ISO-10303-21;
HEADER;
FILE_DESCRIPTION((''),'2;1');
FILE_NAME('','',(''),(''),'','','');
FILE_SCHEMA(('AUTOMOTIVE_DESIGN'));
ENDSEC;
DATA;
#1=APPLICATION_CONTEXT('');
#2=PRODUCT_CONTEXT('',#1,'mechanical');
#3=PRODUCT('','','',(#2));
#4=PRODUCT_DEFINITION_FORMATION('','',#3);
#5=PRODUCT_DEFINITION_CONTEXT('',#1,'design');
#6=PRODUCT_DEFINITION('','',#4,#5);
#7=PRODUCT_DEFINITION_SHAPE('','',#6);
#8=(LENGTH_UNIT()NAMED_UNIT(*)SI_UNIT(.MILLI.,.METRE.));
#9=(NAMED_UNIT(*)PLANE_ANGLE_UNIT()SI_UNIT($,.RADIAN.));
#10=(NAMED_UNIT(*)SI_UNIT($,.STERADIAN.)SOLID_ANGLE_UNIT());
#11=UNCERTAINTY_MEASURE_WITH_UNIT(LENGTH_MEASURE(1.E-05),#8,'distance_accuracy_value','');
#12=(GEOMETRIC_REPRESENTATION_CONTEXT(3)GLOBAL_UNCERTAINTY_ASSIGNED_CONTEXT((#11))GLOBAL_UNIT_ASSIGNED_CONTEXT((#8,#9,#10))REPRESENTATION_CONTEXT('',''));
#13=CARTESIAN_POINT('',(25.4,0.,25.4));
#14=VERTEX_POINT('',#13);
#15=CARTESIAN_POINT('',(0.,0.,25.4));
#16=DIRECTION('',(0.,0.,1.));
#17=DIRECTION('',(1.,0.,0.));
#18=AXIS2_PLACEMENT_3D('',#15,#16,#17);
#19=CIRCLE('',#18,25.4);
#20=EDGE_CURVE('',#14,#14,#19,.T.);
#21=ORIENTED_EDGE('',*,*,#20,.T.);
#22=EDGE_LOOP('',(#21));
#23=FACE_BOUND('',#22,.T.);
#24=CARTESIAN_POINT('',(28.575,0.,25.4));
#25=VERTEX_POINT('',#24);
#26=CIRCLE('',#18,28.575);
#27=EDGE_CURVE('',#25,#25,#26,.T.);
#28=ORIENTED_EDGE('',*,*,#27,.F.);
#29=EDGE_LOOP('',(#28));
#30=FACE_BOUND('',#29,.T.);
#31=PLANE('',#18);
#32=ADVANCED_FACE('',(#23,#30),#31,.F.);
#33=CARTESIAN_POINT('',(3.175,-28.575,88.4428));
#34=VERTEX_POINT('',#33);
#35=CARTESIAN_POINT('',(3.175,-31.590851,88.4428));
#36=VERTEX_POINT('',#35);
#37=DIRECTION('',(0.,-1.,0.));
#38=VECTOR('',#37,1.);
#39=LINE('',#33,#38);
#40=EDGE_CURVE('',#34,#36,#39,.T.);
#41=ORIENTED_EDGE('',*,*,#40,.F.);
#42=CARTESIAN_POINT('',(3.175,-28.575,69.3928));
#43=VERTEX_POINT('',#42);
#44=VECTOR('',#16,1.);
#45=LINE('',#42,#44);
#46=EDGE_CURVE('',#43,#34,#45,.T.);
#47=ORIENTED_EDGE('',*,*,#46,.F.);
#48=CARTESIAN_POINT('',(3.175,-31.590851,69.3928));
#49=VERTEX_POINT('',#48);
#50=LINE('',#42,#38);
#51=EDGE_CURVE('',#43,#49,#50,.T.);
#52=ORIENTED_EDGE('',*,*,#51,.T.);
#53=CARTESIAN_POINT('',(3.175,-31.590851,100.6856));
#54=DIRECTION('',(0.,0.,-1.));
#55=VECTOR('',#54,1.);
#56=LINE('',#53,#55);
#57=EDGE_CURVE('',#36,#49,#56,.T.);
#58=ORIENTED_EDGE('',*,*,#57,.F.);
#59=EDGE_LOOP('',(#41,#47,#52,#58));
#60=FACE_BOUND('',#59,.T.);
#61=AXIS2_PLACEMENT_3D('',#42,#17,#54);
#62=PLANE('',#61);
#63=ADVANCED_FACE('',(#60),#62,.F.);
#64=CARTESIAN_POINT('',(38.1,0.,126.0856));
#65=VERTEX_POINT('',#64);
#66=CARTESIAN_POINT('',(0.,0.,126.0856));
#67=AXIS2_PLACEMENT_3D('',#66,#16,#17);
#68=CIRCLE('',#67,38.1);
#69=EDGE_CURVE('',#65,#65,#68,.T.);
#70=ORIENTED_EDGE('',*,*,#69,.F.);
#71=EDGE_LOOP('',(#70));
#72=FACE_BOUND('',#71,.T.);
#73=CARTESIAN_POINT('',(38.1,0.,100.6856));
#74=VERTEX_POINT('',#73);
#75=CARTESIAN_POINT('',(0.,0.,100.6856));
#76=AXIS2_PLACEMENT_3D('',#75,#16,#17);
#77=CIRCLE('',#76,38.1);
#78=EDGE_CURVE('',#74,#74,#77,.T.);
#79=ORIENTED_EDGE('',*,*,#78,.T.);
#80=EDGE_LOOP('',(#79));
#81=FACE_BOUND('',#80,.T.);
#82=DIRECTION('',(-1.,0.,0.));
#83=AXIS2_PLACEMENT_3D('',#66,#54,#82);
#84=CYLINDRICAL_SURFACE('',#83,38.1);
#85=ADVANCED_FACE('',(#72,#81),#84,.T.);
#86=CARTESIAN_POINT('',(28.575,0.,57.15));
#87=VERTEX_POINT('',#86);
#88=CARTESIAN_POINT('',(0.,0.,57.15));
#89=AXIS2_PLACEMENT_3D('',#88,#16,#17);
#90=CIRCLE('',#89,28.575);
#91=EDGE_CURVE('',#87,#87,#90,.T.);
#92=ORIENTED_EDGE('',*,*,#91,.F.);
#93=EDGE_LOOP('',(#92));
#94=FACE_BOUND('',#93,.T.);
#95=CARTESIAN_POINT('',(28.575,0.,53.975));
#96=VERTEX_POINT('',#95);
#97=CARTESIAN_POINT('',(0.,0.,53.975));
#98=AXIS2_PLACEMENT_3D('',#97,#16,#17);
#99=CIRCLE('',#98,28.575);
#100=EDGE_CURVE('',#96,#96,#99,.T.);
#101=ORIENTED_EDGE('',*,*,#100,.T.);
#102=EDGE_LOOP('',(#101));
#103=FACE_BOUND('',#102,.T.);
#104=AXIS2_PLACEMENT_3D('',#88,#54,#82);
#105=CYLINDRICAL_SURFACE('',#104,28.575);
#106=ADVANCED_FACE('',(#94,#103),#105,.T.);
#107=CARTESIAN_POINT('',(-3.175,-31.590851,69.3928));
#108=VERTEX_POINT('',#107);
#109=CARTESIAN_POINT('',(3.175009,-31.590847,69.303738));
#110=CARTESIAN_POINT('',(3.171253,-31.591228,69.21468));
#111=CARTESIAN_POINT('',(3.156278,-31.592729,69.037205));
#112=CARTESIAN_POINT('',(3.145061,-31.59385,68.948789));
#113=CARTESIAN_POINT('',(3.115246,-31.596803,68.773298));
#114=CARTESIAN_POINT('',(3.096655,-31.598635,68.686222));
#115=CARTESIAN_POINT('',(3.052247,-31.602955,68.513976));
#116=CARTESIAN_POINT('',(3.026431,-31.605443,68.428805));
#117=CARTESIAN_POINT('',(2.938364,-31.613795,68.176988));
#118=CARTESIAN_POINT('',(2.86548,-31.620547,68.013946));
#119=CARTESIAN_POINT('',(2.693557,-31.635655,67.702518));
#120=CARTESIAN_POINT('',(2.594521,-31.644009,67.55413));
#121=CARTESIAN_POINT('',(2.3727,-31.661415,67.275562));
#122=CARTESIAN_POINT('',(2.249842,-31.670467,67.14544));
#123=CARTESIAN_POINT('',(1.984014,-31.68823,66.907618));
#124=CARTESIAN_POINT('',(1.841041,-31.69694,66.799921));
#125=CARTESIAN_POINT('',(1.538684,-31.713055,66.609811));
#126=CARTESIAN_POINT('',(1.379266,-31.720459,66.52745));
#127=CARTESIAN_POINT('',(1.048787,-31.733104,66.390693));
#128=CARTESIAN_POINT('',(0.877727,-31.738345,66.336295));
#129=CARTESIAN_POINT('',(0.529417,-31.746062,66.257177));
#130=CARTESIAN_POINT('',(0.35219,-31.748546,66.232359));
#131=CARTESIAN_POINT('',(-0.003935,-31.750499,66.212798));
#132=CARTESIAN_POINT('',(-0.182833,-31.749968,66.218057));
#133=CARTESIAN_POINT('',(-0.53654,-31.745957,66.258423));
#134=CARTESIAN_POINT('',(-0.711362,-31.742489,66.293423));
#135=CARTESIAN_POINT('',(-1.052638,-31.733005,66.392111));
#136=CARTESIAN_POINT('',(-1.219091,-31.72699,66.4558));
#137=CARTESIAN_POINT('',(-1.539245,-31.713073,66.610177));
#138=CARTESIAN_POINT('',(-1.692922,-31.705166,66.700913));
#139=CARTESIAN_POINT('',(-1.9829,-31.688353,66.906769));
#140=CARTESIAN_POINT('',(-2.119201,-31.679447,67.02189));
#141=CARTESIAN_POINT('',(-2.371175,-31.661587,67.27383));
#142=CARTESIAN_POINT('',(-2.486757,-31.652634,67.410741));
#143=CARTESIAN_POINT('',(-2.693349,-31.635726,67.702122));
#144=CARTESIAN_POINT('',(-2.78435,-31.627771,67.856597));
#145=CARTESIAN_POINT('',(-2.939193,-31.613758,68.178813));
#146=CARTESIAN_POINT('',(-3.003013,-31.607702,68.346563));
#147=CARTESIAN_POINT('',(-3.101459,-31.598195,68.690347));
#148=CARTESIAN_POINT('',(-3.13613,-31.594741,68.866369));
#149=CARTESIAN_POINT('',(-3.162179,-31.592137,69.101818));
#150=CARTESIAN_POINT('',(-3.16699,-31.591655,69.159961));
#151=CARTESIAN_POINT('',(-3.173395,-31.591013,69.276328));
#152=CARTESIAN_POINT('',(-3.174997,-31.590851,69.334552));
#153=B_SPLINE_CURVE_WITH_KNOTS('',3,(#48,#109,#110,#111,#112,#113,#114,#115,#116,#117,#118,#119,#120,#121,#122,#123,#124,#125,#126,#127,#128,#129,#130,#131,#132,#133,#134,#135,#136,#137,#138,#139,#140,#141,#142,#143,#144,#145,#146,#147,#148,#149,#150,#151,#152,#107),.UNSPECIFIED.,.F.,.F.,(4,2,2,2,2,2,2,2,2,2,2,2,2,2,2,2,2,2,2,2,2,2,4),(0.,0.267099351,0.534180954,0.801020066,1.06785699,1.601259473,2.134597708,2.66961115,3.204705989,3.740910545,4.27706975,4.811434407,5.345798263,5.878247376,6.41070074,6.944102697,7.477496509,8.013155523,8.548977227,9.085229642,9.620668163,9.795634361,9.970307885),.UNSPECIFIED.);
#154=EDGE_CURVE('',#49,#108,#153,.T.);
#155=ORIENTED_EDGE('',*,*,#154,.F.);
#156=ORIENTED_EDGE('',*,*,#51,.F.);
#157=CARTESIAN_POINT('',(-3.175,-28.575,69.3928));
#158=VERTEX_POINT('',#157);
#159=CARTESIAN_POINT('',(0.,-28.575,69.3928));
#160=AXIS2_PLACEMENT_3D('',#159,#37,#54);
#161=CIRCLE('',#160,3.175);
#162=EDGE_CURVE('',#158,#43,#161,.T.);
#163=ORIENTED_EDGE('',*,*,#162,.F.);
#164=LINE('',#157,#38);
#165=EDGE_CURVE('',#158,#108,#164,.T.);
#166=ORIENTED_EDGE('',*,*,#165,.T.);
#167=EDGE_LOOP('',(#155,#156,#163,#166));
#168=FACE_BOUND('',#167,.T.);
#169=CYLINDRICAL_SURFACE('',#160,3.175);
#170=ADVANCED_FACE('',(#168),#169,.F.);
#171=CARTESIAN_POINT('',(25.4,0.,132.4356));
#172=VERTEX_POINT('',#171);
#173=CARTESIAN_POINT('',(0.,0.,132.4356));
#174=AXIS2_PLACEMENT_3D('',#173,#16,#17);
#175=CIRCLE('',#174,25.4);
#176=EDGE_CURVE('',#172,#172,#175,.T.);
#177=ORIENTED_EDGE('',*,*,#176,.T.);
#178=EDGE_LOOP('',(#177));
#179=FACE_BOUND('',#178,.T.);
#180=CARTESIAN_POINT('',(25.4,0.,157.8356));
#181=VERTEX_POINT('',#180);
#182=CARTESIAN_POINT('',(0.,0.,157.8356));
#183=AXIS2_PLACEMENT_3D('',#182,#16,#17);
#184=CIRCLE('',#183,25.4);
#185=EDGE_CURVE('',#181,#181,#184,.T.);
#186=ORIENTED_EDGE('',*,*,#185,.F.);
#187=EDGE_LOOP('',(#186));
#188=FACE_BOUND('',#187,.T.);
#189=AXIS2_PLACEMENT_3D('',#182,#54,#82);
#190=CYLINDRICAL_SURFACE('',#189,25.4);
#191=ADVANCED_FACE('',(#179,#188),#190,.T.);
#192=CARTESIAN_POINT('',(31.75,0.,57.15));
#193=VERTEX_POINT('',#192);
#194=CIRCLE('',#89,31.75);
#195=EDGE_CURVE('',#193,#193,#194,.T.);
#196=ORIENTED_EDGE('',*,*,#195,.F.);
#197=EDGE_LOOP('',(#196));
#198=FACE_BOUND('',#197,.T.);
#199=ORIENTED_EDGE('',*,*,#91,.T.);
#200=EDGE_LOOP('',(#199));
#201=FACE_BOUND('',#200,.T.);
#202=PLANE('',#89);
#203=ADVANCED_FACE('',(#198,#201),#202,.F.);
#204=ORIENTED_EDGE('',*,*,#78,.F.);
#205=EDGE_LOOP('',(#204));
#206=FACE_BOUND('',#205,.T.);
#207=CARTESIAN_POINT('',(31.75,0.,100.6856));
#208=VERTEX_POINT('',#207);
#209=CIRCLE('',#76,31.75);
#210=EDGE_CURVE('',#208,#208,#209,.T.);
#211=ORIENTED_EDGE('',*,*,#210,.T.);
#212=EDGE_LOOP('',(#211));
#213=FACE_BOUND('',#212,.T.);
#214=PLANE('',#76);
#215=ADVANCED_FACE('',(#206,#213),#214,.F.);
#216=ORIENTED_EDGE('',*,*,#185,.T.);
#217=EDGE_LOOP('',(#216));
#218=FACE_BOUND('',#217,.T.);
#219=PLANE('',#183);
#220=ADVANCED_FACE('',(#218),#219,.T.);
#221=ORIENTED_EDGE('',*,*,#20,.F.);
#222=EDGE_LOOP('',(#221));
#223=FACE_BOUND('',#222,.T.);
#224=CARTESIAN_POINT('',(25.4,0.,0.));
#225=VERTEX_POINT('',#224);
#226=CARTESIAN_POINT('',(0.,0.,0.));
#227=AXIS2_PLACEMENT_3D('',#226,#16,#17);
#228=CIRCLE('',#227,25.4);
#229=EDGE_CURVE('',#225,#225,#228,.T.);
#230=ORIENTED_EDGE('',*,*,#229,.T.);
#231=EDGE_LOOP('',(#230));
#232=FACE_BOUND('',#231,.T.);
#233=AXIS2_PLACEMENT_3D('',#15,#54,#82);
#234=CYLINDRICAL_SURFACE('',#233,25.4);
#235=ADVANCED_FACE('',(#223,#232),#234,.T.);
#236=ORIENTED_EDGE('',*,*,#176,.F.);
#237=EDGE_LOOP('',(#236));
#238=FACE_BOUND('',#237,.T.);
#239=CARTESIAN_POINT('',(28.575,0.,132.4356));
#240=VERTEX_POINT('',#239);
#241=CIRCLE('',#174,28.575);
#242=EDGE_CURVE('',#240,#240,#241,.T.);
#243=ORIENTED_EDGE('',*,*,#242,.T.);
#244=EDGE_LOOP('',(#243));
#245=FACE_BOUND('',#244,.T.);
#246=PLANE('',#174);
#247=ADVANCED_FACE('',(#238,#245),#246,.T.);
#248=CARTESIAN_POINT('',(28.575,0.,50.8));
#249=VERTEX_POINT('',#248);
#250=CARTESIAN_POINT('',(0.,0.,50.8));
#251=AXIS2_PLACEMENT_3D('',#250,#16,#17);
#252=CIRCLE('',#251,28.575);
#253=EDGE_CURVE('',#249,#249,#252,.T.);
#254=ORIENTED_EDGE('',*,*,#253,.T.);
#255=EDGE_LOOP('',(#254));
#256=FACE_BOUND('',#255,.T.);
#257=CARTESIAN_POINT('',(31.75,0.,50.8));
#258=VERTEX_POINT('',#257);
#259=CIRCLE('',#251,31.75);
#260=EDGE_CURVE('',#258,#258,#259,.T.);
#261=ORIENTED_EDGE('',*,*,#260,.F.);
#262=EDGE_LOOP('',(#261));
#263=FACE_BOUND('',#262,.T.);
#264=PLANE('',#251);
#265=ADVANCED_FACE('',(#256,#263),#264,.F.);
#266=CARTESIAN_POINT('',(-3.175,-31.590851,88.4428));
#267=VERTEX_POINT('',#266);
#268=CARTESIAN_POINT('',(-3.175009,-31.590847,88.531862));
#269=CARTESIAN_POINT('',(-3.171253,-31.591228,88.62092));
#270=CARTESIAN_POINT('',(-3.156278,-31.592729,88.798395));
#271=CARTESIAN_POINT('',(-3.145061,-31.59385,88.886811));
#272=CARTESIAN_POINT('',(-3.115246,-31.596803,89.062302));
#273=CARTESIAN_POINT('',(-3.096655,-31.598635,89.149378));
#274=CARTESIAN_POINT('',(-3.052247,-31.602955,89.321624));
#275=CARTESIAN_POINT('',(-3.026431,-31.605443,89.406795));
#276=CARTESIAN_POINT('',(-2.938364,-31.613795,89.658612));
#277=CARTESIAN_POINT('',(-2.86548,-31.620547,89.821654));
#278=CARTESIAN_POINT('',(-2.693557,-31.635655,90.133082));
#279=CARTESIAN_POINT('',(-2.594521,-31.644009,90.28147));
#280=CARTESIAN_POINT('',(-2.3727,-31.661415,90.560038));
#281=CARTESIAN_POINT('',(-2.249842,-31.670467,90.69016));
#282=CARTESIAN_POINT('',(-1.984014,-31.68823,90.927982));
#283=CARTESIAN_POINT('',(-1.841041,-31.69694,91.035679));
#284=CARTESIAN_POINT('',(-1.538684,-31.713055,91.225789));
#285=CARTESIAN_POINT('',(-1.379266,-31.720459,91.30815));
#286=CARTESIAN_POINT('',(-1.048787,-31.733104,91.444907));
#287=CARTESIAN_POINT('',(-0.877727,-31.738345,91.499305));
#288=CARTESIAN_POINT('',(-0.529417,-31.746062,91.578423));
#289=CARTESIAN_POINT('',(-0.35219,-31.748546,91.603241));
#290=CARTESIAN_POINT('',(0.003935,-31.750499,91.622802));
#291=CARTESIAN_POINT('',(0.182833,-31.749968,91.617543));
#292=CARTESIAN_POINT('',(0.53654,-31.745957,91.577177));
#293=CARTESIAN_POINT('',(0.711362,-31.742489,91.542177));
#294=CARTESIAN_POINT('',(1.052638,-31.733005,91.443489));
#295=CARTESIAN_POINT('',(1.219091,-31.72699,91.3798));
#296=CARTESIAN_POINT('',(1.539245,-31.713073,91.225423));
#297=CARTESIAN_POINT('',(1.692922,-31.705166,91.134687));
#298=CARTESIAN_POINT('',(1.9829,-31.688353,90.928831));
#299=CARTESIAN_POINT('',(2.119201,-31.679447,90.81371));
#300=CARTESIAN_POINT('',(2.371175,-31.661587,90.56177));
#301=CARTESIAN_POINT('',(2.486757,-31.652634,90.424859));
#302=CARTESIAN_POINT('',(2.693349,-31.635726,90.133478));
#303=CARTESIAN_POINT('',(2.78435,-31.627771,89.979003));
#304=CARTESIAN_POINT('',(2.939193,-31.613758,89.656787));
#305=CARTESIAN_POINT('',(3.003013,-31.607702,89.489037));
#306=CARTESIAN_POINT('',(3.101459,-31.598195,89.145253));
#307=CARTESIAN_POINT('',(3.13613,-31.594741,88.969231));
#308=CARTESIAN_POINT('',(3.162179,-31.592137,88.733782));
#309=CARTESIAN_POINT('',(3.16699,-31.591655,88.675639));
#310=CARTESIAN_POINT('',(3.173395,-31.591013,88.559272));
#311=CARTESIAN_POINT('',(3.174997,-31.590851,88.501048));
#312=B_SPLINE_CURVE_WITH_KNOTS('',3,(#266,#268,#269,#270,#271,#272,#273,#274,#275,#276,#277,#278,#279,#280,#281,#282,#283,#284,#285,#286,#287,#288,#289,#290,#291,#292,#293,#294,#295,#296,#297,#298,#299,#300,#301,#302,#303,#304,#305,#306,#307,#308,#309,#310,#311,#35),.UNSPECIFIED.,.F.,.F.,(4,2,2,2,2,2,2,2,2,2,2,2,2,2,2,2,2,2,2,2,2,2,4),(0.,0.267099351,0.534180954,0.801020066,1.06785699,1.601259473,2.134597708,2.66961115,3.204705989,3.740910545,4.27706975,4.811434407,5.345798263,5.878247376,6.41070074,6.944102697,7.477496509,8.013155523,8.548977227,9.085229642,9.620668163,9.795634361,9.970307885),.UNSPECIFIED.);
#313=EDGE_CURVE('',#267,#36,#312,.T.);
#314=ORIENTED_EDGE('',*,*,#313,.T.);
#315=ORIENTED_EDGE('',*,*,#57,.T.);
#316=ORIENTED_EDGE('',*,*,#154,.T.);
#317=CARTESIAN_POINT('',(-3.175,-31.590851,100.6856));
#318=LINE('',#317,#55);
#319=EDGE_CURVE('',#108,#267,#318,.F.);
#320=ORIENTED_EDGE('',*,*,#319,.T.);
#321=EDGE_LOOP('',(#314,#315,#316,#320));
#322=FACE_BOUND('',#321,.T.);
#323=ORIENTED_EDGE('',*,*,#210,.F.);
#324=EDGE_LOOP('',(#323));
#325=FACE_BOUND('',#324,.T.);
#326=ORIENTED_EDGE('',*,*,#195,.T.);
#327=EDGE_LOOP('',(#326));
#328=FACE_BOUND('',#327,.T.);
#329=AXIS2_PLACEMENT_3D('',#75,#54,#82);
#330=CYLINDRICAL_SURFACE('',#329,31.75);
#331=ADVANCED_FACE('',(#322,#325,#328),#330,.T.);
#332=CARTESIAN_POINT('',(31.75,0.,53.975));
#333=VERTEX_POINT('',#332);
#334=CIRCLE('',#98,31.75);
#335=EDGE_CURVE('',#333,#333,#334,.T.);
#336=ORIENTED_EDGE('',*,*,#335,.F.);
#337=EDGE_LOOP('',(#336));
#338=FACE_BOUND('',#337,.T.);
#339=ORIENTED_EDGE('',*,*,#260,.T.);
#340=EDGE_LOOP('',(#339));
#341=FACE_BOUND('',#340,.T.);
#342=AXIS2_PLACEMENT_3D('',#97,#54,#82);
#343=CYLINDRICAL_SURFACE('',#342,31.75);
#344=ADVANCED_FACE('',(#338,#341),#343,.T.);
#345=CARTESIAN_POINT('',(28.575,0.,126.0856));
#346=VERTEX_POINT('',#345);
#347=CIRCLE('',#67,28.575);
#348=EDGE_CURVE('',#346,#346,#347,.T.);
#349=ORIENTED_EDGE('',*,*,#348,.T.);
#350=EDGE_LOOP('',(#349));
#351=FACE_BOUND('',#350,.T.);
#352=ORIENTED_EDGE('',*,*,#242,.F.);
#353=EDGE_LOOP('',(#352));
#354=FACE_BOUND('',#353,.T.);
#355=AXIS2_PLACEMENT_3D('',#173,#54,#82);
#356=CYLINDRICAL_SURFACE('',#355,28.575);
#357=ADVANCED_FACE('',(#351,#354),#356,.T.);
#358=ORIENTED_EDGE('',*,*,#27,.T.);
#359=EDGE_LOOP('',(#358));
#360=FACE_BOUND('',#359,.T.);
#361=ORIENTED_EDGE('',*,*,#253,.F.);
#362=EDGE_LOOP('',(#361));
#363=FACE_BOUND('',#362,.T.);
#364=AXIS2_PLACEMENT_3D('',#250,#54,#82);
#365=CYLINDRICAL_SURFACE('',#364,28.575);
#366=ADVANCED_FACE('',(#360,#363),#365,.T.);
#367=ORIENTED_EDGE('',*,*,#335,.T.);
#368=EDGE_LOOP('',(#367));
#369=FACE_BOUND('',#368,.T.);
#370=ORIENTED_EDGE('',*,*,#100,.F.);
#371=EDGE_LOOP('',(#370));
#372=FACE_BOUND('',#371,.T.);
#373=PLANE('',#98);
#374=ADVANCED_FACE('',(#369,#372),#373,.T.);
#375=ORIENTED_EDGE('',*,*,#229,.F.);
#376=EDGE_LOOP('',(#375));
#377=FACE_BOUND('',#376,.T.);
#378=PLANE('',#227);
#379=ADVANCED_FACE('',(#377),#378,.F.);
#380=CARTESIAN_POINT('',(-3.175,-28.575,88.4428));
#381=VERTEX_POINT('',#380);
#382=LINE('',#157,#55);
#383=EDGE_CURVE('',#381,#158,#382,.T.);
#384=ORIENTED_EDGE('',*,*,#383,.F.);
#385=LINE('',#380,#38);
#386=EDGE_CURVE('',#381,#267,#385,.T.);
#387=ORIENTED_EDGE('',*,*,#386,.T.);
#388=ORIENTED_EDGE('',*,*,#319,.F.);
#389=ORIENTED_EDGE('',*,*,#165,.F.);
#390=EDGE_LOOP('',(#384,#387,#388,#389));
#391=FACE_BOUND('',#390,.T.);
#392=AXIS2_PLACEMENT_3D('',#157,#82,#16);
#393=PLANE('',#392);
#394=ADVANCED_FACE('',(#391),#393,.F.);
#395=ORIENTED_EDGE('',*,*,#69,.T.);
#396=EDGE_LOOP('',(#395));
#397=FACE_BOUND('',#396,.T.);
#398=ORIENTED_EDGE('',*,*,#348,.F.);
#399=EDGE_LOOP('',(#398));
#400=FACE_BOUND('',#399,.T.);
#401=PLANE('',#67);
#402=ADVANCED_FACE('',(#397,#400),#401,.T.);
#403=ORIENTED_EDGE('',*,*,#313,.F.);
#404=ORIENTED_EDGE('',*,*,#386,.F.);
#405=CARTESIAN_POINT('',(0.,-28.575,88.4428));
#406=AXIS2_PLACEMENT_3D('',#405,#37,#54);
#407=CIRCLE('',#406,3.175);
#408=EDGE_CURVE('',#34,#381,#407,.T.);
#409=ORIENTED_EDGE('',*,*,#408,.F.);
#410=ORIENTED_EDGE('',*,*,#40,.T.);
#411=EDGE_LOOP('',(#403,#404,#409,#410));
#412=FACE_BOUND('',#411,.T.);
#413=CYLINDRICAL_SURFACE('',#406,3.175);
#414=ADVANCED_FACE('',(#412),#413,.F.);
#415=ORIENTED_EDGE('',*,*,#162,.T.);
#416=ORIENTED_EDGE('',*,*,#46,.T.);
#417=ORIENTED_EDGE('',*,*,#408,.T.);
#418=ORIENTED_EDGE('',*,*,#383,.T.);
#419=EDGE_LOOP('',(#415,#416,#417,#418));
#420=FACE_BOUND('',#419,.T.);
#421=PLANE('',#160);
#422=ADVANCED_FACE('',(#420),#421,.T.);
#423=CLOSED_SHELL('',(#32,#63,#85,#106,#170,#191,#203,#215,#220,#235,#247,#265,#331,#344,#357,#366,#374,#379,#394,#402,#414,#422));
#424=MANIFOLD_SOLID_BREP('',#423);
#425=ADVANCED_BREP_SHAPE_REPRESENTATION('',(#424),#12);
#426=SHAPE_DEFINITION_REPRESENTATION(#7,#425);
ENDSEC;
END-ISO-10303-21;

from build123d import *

# Parameters (mm, degrees)
SKETCH2_R           = 25.4
BOSS_EXTRUDE1_DEPTH = 25.4
SKETCH3_R           = 28.575
BOSS_EXTRUDE2_DEPTH = 25.4
SKETCH4_R           = 31.75
BOSS_EXTRUDE3_DEPTH = 3.175
SKETCH5_R           = 28.575
BOSS_EXTRUDE4_DEPTH = 3.175
SKETCH6_R           = 31.75
BOSS_EXTRUDE5_DEPTH = 43.5356
SKETCH7_R           = 38.1
BOSS_EXTRUDE6_DEPTH = 25.4
SKETCH8_R           = 28.575
BOSS_EXTRUDE7_DEPTH = 6.35
SKETCH9_R           = 25.4
BOSS_EXTRUDE8_DEPTH = 25.4
CUT_EXTRUDE1_DEPTH  = 3.175


with BuildPart() as part:
    # Sketch2 → Boss-Extrude1 (new body)
    with BuildSketch(Plane.XY):
        Circle(SKETCH2_R)
    extrude(amount=BOSS_EXTRUDE1_DEPTH)

    # Sketch3 → Boss-Extrude2 (add)
    with BuildSketch(Plane.XY.offset(25.4)):
        Circle(SKETCH3_R)
    extrude(amount=BOSS_EXTRUDE2_DEPTH)

    # Sketch4 → Boss-Extrude3 (add)
    with BuildSketch(Plane.XY.offset(50.8)):
        Circle(SKETCH4_R)
    extrude(amount=BOSS_EXTRUDE3_DEPTH)

    # Sketch5 → Boss-Extrude4 (add)
    with BuildSketch(Plane.XY.offset(53.975)):
        Circle(SKETCH5_R)
    extrude(amount=BOSS_EXTRUDE4_DEPTH)

    # Sketch6 → Boss-Extrude5 (add)
    with BuildSketch(Plane.XY.offset(57.15)):
        Circle(SKETCH6_R)
    extrude(amount=BOSS_EXTRUDE5_DEPTH)

    # Sketch7 → Boss-Extrude6 (add)
    with BuildSketch(Plane.XY.offset(100.6856)):
        Circle(SKETCH7_R)
    extrude(amount=BOSS_EXTRUDE6_DEPTH)

    # Sketch8 → Boss-Extrude7 (add)
    with BuildSketch(Plane.XY.offset(126.0856)):
        Circle(SKETCH8_R)
    extrude(amount=BOSS_EXTRUDE7_DEPTH)

    # Sketch9 → Boss-Extrude8 (add)
    with BuildSketch(Plane.XY.offset(132.4356)):
        Circle(SKETCH9_R)
    extrude(amount=BOSS_EXTRUDE8_DEPTH)

    # Sketch10 → Cut-Extrude1 (cut)
    with BuildSketch(Plane(origin=(0, -31.75, 0), x_dir=(-1, 0, 0), z_dir=(0, -1, 0))):
        with BuildLine():
            Line((3.175, -69.3928), (3.175, -88.4428))
            ThreePointArc((3.175, -88.4428), (0, -91.6178), (-3.175, -88.4428))
            Line((-3.175, -88.4428), (-3.175, -69.3928))
            ThreePointArc((-3.175, -69.3928), (0, -66.2178), (3.175, -69.3928))
        make_face()
    extrude(amount=-CUT_EXTRUDE1_DEPTH, mode=Mode.SUBTRACT)


solid = part.part
